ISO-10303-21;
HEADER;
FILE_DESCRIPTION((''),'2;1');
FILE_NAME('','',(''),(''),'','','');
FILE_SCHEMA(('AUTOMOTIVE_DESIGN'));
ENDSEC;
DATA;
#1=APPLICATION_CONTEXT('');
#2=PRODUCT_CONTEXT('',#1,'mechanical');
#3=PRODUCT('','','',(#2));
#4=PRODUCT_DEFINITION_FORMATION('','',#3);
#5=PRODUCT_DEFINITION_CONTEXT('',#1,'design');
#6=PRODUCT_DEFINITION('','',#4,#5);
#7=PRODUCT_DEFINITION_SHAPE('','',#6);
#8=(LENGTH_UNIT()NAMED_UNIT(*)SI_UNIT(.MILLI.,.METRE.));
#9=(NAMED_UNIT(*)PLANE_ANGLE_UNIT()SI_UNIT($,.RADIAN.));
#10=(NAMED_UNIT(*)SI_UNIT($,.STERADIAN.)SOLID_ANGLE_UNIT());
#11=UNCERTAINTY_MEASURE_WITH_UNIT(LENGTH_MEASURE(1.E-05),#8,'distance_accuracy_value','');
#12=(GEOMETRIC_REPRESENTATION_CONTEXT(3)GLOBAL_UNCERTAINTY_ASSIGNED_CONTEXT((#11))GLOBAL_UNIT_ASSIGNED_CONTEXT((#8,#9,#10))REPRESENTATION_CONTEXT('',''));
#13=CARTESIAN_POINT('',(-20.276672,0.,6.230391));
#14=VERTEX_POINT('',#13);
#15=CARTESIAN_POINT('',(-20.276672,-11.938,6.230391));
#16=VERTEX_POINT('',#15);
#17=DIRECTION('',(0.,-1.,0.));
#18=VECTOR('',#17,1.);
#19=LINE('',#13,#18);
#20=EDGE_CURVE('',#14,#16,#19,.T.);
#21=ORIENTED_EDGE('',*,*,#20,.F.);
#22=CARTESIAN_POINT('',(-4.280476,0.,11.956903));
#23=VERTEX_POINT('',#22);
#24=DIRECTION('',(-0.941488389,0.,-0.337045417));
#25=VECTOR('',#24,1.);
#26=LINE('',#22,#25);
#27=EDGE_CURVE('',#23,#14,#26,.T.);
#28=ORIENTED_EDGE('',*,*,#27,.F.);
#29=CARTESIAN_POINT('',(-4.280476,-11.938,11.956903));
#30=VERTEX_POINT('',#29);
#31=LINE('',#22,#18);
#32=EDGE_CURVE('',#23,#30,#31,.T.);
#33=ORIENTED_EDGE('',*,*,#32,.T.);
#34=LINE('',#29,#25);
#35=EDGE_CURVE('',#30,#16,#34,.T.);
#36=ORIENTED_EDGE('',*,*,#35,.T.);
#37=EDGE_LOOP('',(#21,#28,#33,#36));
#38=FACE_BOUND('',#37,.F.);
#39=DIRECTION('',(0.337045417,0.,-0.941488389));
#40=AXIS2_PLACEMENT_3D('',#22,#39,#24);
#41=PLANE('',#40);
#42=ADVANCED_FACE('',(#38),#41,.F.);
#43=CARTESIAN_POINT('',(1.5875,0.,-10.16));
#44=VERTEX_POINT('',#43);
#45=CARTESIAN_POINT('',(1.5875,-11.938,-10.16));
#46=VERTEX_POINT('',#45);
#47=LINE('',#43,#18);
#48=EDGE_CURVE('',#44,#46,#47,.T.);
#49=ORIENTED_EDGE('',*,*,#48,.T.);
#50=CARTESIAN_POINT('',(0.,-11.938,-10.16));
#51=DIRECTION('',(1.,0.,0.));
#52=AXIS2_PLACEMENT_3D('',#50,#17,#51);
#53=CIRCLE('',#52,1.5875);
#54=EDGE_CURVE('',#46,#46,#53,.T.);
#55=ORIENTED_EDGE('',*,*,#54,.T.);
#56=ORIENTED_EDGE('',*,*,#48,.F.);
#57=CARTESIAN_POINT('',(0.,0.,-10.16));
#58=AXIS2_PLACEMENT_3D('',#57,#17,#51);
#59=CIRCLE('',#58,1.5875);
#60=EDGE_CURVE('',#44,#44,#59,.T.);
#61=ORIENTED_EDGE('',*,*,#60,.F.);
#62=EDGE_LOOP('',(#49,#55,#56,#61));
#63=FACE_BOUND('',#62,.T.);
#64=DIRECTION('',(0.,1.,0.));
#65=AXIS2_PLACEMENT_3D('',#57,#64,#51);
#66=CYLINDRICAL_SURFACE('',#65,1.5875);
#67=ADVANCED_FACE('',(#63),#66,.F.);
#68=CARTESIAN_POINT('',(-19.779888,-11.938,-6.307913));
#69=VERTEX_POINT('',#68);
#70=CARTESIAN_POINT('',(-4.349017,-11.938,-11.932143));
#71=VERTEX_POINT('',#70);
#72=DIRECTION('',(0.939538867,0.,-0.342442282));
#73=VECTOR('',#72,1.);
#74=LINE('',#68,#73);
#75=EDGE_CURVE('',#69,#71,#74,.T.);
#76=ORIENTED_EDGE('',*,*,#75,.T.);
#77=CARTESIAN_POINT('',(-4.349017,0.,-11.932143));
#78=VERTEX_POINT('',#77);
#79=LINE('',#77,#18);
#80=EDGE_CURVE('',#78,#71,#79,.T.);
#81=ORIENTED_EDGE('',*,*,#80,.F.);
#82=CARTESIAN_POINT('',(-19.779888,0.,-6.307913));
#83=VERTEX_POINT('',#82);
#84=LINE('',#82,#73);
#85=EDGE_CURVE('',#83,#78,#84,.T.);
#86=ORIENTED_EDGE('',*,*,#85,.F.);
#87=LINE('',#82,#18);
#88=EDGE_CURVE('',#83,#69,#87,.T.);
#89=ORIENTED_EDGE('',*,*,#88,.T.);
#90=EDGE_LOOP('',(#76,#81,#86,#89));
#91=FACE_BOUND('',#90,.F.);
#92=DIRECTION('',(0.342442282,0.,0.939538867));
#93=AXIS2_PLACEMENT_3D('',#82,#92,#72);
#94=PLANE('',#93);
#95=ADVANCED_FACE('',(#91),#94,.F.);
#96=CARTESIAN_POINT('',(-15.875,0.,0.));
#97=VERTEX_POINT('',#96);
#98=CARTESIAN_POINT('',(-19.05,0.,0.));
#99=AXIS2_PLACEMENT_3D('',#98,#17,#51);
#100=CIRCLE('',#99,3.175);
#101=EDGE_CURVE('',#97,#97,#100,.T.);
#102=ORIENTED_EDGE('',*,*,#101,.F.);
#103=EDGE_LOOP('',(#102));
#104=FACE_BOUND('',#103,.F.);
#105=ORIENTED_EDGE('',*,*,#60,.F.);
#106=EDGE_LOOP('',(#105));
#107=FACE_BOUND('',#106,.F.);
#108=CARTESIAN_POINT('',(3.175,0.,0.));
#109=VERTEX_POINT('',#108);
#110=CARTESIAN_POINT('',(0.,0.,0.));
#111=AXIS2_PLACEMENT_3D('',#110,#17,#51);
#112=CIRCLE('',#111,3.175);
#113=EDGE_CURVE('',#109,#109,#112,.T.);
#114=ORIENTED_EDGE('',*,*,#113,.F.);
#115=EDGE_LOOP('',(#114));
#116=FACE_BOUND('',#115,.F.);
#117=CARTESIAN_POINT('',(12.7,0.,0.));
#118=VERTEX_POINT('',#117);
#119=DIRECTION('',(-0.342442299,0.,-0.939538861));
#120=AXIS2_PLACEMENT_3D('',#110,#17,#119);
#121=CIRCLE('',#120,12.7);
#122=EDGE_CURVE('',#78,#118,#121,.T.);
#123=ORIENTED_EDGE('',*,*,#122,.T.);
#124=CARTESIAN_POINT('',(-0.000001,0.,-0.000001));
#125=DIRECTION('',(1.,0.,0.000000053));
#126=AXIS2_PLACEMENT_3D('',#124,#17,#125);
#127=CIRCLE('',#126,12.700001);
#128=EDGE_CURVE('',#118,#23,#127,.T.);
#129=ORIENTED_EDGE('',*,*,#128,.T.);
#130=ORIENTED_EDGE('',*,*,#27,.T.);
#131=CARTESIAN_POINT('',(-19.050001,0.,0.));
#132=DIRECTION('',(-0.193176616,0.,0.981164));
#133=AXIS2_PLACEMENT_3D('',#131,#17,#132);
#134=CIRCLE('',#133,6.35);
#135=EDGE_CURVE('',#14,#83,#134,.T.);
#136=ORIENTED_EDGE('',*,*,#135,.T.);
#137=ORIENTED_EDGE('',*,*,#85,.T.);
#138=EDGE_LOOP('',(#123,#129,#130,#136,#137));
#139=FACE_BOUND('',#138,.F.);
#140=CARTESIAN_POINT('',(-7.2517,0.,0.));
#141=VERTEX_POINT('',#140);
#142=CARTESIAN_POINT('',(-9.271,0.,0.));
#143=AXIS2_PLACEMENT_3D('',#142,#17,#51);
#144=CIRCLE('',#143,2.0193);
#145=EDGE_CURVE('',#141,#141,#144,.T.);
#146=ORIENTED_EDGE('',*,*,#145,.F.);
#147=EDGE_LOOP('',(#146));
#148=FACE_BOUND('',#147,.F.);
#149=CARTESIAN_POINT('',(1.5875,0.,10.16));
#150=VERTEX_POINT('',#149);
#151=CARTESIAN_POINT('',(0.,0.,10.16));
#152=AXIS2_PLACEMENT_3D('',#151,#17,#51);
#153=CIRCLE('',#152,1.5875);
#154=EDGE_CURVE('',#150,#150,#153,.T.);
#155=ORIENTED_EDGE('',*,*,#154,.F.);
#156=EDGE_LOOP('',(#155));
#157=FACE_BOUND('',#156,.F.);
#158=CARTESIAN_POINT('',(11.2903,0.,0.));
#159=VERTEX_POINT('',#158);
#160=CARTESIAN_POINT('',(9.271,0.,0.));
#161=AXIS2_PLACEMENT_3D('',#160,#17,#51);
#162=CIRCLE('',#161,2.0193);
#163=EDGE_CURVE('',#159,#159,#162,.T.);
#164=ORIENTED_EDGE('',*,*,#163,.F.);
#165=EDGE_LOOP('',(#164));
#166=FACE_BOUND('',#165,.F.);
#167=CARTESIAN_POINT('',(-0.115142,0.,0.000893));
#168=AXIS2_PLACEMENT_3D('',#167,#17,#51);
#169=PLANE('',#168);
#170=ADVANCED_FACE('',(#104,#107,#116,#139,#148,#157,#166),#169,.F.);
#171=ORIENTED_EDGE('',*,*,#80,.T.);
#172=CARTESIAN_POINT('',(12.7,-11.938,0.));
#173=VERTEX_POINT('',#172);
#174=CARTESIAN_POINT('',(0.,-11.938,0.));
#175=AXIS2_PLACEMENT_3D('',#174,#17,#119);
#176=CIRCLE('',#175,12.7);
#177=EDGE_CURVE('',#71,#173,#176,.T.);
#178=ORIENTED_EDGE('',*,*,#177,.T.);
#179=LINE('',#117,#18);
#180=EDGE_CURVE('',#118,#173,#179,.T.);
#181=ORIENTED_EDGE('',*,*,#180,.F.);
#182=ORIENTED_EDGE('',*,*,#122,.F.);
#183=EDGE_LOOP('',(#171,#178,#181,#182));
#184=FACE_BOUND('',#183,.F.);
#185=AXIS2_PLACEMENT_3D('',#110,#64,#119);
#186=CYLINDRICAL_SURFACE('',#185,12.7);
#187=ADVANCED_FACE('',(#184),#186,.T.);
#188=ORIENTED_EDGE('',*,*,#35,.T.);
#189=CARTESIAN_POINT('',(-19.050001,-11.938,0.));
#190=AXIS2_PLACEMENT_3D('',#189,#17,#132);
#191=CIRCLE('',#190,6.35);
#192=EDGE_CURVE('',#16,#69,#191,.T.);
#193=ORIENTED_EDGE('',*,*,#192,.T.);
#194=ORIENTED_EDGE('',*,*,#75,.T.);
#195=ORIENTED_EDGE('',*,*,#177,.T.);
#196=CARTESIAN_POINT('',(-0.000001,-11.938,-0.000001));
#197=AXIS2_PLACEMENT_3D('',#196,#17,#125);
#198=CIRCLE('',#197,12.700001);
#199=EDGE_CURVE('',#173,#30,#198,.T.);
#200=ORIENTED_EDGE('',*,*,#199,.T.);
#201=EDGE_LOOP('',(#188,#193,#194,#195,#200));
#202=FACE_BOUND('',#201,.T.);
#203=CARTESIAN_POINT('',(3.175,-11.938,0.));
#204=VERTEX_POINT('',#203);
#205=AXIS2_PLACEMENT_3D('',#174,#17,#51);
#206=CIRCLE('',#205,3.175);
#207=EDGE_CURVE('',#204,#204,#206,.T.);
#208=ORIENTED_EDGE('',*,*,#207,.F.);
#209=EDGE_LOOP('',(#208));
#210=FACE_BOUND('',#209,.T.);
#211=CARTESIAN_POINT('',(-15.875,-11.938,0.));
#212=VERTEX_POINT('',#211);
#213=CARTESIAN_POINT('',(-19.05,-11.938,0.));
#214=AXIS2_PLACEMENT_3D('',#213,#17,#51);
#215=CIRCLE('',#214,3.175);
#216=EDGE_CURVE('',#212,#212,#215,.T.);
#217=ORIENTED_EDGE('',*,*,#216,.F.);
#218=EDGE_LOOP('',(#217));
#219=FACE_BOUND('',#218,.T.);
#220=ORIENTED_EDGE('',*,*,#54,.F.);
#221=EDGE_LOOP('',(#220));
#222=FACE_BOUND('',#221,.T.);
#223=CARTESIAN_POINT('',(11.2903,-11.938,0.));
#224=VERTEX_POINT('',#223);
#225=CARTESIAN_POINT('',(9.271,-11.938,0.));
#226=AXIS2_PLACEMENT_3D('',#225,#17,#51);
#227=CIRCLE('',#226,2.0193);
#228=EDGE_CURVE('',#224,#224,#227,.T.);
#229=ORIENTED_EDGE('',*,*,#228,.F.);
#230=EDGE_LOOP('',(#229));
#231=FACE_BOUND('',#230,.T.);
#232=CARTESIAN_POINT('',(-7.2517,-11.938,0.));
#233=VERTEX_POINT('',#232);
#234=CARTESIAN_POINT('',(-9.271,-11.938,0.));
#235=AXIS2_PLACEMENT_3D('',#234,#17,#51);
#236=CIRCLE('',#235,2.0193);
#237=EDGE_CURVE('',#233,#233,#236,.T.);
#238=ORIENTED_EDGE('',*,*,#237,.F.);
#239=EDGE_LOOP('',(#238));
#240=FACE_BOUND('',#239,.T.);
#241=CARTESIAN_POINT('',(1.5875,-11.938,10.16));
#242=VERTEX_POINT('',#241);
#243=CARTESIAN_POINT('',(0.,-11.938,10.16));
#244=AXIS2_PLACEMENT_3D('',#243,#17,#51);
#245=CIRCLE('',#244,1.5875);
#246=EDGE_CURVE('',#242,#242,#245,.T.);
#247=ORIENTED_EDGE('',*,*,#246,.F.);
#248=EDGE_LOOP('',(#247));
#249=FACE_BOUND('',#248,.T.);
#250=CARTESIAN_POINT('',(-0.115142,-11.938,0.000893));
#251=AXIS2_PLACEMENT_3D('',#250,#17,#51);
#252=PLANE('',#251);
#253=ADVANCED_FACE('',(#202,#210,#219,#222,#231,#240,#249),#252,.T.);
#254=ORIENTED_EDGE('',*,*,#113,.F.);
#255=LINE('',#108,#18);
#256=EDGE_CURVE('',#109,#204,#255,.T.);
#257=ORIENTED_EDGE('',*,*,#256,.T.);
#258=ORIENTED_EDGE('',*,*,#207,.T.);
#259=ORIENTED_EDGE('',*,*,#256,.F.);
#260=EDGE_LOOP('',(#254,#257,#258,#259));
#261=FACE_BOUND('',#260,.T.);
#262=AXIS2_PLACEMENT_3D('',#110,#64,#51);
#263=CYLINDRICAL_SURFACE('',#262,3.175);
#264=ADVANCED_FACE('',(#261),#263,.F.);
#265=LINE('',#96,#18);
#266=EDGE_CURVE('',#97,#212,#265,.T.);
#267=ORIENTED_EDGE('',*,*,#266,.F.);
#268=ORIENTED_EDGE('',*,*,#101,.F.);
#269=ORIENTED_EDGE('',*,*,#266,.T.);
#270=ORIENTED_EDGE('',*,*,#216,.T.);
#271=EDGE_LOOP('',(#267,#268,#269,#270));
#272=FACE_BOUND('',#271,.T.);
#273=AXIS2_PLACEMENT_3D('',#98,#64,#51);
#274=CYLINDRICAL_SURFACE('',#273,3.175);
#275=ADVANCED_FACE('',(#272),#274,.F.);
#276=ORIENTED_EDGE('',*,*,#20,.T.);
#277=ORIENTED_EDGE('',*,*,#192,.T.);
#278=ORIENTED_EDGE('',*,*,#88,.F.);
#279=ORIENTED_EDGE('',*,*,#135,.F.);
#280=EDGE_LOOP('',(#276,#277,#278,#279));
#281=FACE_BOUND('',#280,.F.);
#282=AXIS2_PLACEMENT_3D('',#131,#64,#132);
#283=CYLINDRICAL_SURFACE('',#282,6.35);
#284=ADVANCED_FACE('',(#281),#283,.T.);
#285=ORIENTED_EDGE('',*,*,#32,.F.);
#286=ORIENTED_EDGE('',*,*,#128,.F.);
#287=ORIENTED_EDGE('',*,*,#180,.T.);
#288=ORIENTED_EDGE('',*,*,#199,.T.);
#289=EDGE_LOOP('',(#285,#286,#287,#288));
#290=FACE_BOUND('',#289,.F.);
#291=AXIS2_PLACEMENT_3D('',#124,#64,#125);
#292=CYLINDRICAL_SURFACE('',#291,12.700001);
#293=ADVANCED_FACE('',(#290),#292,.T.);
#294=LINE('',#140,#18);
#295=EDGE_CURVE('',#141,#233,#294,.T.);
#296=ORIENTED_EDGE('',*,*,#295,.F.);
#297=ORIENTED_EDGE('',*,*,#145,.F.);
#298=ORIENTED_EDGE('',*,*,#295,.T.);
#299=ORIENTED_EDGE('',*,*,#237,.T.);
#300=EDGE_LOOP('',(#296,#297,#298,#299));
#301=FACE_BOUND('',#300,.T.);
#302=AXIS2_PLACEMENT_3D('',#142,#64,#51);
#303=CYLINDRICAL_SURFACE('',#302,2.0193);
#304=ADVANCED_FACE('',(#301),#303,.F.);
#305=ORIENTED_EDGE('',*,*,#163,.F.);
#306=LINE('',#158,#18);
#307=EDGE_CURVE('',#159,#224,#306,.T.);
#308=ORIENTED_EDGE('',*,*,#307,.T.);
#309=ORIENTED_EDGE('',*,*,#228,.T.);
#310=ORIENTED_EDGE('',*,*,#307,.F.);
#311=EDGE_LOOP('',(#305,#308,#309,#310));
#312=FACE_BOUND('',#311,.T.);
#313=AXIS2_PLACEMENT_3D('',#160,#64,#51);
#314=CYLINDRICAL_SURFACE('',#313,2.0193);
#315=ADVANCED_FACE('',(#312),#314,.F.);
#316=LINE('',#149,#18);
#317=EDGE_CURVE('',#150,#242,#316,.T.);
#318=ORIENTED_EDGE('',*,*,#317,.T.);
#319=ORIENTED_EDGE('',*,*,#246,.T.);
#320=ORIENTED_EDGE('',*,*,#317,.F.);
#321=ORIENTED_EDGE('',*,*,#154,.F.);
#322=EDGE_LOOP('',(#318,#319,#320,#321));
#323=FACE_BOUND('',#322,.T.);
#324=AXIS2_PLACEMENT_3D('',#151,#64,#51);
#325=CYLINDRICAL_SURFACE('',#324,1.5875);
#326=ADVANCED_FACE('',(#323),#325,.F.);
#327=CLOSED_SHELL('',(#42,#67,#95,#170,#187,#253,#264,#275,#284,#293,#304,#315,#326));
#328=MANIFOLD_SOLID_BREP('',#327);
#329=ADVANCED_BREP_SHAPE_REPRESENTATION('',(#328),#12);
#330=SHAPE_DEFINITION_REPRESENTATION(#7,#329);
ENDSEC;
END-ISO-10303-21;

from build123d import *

# Parameters (mm, degrees)
F0_R     = 2.0193
F0_R_2   = 1.5875
F0_R_3   = 3.175
F1_DEPTH = 11.938


with BuildPart() as f1:
    # F0 (on Front) → F1 (new body)
    with BuildSketch(Plane.XZ):
        with BuildLine():
            ThreePointArc((-4.349017, -11.932143), (7.282083, -10.404867), (12.7, 0))
            ThreePointArc((12.7, 0), (7.311906, 10.383931), (-4.280476, 11.956903))
            ThreePointArc((-4.280476, 11.956903), (-10.383931, 7.311906), (-12.7, 0))
            ThreePointArc((-12.7, 0), (-10.404867, -7.282083), (-4.349017, -11.932143))
        make_face()
        with Locations((-9.271, 0)):
            Circle(F0_R, mode=Mode.SUBTRACT)
        with Locations((0, -10.16)):
            Circle(F0_R_2, mode=Mode.SUBTRACT)
        Circle(F0_R_3, mode=Mode.SUBTRACT)
        with Locations((9.271, 0)):
            Circle(F0_R, mode=Mode.SUBTRACT)
        with Locations((0, 10.16)):
            Circle(F0_R_2, mode=Mode.SUBTRACT)
        with BuildLine():
            ThreePointArc((-12.7, 0), (-10.383931, 7.311906), (-4.280476, 11.956903))
            Line((-4.280476, 11.956903), (-20.276672, 6.230391))
            ThreePointArc((-20.276672, 6.230391), (-15.016817, 4.904685), (-12.7, 0))
        make_face()
        with BuildLine():
            Line((-19.779888, -6.307913), (-4.349017, -11.932143))
            ThreePointArc((-4.349017, -11.932143), (-10.404867, -7.282083), (-12.7, 0))
            ThreePointArc((-12.7, 0), (-14.825801, -4.741165), (-19.779888, -6.307913))
        make_face()
        with BuildLine():
            ThreePointArc((-19.779888, -6.307913), (-14.825801, -4.741165), (-12.7, 0))
            ThreePointArc((-12.7, 0), (-15.016817, 4.904685), (-20.276672, 6.230391))
            ThreePointArc((-20.276672, 6.230391), (-25.395022, -0.251398), (-19.779888, -6.307913))
        make_face()
        with Locations((-19.05, 0)):
            Circle(F0_R_3, mode=Mode.SUBTRACT)
    extrude(amount=F1_DEPTH)


solid = f1.part
